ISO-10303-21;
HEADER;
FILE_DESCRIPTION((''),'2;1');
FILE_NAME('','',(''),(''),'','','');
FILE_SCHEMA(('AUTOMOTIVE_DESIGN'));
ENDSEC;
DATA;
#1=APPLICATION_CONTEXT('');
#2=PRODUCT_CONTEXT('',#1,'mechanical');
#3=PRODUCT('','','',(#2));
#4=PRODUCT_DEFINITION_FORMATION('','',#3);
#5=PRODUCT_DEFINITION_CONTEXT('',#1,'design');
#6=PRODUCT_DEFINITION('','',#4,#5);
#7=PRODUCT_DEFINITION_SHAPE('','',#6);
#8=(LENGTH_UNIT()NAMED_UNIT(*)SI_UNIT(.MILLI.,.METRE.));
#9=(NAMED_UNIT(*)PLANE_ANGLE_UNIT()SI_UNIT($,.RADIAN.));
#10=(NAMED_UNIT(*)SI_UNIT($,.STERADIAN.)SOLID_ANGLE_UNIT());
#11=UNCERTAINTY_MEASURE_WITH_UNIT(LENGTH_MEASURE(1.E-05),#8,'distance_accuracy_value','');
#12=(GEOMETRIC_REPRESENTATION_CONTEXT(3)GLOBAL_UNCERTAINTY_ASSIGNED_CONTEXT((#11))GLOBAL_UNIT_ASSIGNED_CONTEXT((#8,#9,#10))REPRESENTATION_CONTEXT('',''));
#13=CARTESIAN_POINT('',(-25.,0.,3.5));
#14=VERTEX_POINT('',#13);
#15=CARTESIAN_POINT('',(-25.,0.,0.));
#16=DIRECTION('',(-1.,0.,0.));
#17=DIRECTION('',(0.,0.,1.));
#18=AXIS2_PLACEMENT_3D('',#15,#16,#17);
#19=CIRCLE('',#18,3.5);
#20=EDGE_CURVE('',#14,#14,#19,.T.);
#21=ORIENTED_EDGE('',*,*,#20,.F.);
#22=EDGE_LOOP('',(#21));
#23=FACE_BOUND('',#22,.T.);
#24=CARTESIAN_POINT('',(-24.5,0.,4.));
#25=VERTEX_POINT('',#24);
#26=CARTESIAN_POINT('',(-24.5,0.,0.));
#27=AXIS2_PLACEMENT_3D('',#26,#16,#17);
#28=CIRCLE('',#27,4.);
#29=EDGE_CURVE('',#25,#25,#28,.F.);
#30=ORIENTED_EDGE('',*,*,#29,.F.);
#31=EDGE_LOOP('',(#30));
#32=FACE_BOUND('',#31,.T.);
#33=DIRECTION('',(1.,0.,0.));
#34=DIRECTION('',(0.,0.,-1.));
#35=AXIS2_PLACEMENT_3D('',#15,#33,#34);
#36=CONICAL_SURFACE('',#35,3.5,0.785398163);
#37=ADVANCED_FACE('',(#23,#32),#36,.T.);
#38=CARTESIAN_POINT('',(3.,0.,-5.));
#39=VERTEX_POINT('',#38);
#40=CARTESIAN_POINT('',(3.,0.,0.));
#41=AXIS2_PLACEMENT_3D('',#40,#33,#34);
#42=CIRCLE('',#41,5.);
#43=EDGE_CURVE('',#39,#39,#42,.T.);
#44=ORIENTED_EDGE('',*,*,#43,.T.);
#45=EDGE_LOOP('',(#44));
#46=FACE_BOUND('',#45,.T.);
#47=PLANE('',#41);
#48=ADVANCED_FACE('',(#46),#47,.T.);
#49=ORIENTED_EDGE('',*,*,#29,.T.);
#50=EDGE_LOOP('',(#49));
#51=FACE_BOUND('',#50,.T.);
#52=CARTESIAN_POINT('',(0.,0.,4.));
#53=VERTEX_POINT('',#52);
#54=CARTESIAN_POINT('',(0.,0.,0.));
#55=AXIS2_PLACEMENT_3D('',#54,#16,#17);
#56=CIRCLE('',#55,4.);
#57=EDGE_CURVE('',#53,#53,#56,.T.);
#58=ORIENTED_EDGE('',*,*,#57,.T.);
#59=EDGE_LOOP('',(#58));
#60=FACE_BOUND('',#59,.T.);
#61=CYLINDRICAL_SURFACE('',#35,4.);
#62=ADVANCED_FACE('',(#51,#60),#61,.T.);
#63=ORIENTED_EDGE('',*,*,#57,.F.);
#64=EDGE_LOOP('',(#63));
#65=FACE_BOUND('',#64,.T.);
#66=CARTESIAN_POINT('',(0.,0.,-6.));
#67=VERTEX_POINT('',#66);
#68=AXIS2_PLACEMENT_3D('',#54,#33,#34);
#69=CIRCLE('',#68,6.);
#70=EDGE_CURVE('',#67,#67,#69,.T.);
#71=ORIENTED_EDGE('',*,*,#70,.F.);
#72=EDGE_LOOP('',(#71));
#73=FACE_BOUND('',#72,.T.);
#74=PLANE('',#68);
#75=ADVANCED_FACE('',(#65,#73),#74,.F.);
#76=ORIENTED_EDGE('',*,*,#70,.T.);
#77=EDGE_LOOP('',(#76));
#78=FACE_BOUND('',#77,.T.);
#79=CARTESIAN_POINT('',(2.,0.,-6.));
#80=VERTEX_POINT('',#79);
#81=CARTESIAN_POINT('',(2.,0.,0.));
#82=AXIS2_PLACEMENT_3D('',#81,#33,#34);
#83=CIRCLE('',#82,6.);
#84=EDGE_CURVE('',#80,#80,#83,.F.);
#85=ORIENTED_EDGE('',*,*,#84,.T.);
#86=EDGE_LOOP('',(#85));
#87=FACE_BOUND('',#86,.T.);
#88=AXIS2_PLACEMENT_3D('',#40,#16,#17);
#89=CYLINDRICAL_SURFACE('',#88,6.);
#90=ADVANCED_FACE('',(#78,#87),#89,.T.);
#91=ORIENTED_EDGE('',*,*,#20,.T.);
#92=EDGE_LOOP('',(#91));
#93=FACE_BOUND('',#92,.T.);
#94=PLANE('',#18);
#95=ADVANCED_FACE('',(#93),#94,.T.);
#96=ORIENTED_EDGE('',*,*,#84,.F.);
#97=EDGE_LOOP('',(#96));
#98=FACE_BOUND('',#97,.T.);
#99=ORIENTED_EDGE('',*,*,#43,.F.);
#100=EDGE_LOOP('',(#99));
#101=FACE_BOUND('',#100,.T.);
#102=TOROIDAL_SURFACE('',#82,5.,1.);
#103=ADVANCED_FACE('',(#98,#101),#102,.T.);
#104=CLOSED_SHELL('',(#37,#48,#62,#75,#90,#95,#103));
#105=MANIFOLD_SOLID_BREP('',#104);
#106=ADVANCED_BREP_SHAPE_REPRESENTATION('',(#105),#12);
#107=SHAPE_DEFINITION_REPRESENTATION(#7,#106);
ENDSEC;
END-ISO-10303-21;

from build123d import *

# Parameters (mm, degrees)
SKETCH1_R           = 6
BOSS_EXTRUDE1_DEPTH = 3
SKETCH3_R           = 4
BOSS_EXTRUDE2_DEPTH = 25
FILLET1_R           = 1
CHAMFER1_SIZE       = 0.5


with BuildPart() as part:
    # Sketch1 → Boss-Extrude1 (new body)
    with BuildSketch(Plane(origin=(0, 0, 0), x_dir=(0, 0, -1), z_dir=(1, 0, 0))):
        Circle(SKETCH1_R)
    extrude(amount=BOSS_EXTRUDE1_DEPTH)

    # Sketch3 → Boss-Extrude2 (add)
    with BuildSketch(Plane.ZY):
        Circle(SKETCH3_R)
    extrude(amount=BOSS_EXTRUDE2_DEPTH)

    # Fillet1
    fillet1_edges = [part.edges().sort_by_distance(p)[0] for p in [
        (3, 0, 6),
    ]]
    fillet(fillet1_edges, radius=FILLET1_R)

    # Chamfer1
    chamfer1_edges = [part.edges().sort_by_distance(p)[0] for p in [
        (-25, 0, -4),
    ]]
    chamfer(chamfer1_edges, length=CHAMFER1_SIZE)


solid = part.part
